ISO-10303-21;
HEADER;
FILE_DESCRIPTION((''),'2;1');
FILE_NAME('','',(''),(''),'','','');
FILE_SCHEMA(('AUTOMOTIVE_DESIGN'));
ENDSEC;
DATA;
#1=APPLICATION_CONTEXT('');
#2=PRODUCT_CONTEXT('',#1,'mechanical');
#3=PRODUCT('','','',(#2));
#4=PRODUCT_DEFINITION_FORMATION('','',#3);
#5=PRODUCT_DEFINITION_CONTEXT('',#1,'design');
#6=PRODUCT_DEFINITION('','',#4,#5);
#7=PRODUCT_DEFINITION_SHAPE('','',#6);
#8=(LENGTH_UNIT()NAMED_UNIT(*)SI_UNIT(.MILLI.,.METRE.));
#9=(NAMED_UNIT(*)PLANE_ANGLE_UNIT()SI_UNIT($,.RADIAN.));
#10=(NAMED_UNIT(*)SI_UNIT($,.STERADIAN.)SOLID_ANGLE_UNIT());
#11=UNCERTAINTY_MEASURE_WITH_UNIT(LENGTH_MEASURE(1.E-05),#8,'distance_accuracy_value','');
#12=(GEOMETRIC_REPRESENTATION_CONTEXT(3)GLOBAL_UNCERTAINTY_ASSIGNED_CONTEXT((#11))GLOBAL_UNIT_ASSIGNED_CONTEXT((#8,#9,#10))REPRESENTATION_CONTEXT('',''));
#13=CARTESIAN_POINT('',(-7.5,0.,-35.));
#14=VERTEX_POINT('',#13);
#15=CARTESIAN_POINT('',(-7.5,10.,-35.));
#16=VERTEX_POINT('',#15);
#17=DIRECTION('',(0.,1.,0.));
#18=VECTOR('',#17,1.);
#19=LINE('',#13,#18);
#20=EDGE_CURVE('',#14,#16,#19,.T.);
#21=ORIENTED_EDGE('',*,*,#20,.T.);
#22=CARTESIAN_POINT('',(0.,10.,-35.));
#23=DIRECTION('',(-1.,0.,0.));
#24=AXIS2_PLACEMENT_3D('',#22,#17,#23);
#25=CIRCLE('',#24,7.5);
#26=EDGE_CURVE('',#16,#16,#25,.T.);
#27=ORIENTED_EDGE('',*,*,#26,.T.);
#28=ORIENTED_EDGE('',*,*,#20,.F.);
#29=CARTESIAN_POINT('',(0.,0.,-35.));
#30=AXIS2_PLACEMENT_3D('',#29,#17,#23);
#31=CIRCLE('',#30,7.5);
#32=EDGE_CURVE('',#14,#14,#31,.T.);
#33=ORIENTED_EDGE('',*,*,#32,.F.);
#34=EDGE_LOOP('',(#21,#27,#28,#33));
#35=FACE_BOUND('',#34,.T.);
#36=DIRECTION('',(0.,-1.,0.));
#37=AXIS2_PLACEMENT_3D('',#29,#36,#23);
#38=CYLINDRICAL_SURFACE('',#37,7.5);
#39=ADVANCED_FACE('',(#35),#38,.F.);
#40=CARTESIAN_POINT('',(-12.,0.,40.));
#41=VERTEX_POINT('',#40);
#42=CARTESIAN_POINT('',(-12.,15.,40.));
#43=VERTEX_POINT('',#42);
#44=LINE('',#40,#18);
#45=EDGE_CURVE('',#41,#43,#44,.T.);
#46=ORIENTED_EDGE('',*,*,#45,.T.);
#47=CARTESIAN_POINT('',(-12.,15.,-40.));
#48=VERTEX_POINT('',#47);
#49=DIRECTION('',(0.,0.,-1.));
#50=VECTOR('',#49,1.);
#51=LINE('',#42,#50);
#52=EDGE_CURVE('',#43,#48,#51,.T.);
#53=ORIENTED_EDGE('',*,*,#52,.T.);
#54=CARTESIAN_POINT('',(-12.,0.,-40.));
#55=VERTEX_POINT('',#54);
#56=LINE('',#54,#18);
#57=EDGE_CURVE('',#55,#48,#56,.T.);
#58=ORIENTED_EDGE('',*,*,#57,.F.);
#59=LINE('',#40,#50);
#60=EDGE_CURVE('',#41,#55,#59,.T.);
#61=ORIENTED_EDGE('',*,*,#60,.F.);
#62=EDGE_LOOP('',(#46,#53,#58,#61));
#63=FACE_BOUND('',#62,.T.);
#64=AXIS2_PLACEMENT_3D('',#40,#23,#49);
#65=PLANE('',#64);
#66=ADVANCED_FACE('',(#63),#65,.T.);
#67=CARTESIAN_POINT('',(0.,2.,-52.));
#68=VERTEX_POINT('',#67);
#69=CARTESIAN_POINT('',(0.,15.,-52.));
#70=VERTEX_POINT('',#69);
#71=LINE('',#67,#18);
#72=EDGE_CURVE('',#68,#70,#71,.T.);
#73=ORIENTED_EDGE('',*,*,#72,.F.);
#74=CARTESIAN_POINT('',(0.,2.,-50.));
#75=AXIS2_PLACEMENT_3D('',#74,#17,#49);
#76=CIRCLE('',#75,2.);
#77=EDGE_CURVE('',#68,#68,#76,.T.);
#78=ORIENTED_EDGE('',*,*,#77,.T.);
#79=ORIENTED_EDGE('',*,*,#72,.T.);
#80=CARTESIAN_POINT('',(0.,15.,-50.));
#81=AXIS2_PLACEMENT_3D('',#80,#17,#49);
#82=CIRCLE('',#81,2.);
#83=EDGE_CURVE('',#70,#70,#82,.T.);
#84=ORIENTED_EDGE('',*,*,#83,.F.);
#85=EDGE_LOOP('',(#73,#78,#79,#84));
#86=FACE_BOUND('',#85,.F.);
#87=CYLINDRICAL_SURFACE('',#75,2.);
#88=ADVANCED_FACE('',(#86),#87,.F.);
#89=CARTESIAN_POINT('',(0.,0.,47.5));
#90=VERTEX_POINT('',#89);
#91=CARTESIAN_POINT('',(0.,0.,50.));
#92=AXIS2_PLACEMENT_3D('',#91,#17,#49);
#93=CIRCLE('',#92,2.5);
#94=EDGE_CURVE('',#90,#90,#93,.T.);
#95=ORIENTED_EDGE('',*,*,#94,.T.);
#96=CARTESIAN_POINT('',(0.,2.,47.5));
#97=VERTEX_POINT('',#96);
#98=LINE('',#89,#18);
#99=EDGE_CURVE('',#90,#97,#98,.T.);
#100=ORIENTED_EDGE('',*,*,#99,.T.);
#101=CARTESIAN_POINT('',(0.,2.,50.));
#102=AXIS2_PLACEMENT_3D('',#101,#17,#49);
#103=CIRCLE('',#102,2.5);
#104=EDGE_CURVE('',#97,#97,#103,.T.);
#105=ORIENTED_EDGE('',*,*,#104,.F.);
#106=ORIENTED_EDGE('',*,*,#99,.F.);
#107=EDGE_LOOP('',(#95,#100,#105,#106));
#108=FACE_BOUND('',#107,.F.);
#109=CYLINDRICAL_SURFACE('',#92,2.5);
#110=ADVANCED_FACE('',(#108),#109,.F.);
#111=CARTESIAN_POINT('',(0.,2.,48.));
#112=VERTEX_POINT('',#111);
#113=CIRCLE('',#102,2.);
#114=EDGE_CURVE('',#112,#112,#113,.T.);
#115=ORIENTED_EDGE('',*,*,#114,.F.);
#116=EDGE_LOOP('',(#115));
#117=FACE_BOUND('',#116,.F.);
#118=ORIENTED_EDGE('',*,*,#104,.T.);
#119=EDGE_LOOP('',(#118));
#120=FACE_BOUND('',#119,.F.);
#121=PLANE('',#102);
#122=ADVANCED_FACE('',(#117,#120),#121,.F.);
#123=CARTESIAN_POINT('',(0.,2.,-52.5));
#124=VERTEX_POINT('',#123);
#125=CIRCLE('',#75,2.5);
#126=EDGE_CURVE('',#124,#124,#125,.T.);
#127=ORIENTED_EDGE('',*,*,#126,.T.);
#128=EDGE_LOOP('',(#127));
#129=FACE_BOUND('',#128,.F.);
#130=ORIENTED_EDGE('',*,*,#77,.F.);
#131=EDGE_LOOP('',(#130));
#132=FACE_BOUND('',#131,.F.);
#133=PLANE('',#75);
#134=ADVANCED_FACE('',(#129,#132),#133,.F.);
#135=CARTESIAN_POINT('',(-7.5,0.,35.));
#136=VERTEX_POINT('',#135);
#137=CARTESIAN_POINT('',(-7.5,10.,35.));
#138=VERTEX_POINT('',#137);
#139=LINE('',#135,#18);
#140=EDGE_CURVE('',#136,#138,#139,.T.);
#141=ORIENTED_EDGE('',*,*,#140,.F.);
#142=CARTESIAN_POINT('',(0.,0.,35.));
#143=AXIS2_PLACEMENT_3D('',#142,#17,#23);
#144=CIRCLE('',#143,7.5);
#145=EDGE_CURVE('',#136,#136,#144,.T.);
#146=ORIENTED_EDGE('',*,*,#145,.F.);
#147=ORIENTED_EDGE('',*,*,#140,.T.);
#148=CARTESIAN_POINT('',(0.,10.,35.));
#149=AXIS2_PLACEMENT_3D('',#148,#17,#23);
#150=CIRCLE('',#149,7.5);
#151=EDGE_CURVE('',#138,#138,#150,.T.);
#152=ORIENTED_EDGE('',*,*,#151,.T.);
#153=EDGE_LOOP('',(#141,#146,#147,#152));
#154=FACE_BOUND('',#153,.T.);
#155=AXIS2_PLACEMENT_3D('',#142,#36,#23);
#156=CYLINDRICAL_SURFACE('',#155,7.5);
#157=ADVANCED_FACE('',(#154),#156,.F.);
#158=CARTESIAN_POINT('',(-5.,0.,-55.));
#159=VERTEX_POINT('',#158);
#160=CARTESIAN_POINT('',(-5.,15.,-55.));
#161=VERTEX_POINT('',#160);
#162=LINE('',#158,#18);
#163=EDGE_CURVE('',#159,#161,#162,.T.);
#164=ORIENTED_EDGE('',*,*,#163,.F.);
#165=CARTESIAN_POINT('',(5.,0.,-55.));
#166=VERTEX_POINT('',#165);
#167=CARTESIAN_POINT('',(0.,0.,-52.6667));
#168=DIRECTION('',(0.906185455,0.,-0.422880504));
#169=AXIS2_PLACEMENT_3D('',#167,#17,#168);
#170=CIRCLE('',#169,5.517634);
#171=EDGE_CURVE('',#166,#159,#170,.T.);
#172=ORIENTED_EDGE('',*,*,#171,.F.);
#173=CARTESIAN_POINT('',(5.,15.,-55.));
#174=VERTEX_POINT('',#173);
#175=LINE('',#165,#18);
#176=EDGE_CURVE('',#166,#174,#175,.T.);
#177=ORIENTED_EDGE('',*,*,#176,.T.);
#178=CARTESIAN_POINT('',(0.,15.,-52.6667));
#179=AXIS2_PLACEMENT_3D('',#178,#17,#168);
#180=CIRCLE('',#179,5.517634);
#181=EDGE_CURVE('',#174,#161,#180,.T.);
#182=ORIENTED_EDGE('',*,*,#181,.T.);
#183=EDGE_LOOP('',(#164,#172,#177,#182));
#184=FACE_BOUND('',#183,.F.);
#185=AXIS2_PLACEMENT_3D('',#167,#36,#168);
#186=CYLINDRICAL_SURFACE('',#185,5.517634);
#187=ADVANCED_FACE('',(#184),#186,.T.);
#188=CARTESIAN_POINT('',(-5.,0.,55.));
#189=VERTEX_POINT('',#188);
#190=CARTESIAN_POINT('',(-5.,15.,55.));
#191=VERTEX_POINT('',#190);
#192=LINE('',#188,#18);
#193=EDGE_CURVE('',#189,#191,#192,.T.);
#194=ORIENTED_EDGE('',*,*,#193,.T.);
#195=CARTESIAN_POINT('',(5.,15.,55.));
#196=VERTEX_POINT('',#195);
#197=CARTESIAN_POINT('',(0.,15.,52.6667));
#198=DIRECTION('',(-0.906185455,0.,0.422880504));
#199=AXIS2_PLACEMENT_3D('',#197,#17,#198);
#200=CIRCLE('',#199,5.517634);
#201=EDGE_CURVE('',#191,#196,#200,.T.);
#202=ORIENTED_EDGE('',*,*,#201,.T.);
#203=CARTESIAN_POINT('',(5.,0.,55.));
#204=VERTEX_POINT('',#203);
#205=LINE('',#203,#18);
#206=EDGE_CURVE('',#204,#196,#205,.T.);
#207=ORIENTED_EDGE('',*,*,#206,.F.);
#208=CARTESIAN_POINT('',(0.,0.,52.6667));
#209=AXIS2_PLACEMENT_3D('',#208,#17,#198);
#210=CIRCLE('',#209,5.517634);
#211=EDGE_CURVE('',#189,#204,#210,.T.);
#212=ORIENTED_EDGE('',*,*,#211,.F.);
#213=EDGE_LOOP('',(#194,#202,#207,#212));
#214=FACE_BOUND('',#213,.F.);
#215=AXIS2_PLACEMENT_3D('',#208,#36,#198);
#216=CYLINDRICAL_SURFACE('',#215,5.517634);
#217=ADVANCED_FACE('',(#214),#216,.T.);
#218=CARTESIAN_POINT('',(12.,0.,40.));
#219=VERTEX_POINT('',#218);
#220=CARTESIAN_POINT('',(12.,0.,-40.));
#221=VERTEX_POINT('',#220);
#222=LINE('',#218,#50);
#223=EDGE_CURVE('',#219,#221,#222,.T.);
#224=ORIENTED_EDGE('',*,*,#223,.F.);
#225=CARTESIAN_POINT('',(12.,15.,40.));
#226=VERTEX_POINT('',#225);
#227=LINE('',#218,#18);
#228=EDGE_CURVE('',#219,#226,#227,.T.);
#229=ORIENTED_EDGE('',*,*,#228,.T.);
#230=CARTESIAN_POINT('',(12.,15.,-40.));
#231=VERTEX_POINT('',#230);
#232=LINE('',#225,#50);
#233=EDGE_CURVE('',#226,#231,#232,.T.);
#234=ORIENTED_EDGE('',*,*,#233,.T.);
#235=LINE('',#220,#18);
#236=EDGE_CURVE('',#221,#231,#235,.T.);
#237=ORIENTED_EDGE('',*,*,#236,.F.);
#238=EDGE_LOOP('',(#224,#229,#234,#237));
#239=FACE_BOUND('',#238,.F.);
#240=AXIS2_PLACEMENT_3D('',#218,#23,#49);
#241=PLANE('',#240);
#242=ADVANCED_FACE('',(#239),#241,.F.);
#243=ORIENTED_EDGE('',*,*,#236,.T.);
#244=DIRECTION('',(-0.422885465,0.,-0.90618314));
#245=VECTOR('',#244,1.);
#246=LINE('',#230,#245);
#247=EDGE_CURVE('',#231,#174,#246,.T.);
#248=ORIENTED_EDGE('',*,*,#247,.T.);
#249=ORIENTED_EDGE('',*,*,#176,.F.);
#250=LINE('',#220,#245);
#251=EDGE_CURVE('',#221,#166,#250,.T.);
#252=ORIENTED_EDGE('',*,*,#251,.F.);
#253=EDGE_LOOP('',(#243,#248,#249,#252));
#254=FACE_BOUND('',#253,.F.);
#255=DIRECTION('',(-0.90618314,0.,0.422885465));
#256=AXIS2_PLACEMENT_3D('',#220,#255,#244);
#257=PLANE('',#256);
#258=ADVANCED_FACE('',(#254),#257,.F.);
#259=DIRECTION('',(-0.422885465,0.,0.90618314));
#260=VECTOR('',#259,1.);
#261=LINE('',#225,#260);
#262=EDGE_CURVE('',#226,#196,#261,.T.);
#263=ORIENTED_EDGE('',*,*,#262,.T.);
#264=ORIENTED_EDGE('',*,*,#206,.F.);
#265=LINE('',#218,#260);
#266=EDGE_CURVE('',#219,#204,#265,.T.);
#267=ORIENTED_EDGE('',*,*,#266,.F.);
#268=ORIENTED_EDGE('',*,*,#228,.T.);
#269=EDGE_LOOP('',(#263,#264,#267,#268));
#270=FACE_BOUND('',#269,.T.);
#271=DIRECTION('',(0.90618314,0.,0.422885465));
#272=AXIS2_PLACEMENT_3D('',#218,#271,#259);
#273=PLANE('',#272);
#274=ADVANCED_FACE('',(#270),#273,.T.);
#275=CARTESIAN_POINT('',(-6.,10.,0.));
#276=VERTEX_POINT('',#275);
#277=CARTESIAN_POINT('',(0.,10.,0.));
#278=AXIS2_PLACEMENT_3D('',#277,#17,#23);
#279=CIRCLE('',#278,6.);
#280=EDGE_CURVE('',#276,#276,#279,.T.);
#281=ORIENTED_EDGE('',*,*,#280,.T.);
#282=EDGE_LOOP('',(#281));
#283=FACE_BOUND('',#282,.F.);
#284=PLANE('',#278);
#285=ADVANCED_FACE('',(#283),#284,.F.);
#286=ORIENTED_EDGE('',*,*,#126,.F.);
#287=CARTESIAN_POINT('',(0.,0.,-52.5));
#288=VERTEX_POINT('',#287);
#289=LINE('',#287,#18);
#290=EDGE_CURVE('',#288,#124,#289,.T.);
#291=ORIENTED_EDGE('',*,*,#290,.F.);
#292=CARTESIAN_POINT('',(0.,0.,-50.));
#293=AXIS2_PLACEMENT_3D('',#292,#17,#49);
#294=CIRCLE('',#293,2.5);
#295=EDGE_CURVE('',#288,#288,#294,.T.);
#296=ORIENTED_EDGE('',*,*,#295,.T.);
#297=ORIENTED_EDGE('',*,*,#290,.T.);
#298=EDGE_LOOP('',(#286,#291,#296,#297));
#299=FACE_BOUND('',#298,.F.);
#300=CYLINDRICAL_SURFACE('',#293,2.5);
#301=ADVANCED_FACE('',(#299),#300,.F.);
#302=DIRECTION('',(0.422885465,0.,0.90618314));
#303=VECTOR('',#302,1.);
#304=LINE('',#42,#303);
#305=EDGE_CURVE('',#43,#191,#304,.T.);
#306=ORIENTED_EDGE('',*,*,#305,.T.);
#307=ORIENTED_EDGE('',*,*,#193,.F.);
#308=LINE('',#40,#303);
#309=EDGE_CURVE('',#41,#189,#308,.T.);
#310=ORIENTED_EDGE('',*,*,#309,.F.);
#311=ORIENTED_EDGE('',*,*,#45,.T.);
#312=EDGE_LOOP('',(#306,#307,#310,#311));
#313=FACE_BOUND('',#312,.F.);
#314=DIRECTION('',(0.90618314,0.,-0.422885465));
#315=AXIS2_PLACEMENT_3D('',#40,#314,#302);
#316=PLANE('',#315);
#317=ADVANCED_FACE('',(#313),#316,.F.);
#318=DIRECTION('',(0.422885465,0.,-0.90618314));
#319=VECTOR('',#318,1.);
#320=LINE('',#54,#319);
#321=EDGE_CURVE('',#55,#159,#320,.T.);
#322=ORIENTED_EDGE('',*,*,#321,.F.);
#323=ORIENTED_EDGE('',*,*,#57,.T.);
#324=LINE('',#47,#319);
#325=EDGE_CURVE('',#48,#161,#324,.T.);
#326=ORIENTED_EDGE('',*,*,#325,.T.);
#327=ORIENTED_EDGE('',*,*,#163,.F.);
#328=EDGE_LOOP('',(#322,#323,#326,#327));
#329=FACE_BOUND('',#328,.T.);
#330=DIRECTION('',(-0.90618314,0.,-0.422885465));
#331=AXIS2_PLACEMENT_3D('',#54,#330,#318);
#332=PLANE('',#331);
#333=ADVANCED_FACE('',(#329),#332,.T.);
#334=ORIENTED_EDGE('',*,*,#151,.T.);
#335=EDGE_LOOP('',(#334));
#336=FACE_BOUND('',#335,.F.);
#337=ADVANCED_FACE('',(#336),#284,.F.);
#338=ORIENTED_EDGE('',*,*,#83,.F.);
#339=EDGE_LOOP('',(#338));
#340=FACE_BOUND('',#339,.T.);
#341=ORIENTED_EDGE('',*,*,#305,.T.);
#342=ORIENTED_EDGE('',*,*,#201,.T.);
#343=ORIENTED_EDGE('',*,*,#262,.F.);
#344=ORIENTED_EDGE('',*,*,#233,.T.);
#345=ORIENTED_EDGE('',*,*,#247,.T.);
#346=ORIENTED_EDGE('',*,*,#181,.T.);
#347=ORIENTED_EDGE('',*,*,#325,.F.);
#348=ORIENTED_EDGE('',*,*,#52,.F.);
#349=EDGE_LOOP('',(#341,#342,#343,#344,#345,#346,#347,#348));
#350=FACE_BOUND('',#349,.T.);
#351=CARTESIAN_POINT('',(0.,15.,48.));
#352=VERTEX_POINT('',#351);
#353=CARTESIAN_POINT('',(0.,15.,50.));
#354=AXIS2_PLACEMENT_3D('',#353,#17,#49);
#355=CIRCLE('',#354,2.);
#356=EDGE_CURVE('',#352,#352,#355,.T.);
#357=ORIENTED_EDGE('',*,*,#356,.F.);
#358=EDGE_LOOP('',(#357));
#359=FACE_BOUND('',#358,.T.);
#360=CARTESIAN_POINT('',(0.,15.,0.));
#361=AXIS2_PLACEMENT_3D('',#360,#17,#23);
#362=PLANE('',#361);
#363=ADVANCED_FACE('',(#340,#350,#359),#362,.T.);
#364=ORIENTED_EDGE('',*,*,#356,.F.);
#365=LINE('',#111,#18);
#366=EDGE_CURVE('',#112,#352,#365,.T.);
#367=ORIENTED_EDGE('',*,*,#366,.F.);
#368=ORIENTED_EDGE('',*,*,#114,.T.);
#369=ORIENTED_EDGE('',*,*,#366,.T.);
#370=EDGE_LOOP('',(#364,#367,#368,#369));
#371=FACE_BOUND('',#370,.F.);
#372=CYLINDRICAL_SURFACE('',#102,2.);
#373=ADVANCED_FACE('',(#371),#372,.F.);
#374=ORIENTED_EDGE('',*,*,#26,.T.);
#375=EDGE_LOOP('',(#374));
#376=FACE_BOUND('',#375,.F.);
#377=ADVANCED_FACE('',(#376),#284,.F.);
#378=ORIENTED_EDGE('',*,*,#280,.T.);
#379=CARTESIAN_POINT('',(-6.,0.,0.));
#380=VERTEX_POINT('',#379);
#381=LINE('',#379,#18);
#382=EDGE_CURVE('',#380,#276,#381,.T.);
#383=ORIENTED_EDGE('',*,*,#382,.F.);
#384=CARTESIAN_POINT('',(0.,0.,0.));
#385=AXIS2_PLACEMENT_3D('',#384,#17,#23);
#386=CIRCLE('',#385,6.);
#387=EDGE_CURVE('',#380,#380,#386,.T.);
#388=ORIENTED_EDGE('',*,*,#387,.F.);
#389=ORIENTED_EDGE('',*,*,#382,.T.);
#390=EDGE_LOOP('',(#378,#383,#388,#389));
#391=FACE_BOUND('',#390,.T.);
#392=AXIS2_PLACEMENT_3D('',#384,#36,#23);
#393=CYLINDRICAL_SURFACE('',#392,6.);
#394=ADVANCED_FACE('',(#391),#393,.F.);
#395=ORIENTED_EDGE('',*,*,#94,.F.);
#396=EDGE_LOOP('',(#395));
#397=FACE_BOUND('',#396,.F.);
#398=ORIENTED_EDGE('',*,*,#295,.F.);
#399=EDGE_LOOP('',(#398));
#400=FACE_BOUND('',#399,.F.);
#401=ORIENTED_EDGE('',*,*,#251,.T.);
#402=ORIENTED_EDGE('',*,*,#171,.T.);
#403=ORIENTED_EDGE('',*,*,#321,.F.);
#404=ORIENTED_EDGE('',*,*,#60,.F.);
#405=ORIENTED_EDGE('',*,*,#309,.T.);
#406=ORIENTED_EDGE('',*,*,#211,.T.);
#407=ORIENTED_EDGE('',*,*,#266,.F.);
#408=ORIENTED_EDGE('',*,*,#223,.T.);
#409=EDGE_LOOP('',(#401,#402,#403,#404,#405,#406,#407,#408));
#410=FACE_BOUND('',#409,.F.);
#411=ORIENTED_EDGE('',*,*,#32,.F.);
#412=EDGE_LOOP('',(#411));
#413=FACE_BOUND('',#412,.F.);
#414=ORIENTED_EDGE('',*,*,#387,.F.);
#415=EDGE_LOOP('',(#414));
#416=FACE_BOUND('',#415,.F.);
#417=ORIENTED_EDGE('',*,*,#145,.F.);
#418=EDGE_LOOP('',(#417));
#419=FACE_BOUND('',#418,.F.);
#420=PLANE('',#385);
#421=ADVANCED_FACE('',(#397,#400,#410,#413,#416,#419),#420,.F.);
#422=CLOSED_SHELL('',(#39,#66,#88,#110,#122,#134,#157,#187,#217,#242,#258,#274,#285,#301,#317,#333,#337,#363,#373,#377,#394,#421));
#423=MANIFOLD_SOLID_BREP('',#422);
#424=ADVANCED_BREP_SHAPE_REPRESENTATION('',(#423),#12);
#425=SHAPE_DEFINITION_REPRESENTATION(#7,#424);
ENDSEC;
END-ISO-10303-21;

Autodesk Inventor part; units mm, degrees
ref_plane "YZ Plane" through (0, 0, 0) normal (1, 0, 0) x (0, 1, 0)
ref_plane "XZ Plane" through (0, 0, 0) normal (0, 1, 0) x (-1, 0, 0)
ref_plane "XY Plane" through (0, 0, 0) normal (0, 0, 1) x (1, 0, 0)
sketch "Sketch1" plane through (0, 0, 0) normal (0, 1, 0) x (-1, 0, 0)
  circle A0 centre (0, 35) radius 7.5
  circle A1 centre (0, -35) radius 7.5
  circle A2 centre (0, 0) radius 6
  dimension "d0" = 15
  dimension "d1" = 35
  dimension "d2" = 15
  dimension "d3" = 35
  dimension "d4" = 12
sketch "Sketch2" plane through (0, 0, 0) normal (0, 1, 0) x (-1, 0, 0)
  line L0 (12, 40) -> (12, -40)
  line L1 (12, -40) -> (5, -55)
  line L2 (12, 40) -> (5, 55)
  line L3 (0, 53.0774) -> (0, -54.9051) construction
  line L4 (-12, 40) -> (-12, -40)
  line L5 (-12, -40) -> (-5, -55)
  line L6 (-12, 40) -> (-5, 55)
  arc A0 (5, 55) -> (-5, 55) centre (0, 52.6667) ccw
  arc A1 (-5, -55) -> (5, -55) centre (0, -52.6667) ccw
  point P0 (0, 0)
  dimension "d5" = 12
  dimension "d6" = 40
  dimension "d7" = 40
  dimension "d8" = 15
  dimension "d9" = 7
  dimension "d10" = 15
  dimension "d11" = 7
extrude "Extrusion1" add sketch "Sketch2" along normal blind 15
extrude "Extrusion2" cut sketch "Sketch1" along normal blind 10
sketch "Sketch3" plane through (0, 0, 0) normal (0, -1, 0) x (1, 0, 0)
  point P0 (0, 0)
  point P1 (0, -50)
  point P2 (0, 50)
  dimension "d16" = 50
  dimension "d17" = 50
hole "Hole1" at (0, 0, -50) at (0, 0, 50) direction (0, 1, 0) diameter 4 end through all counterbore diameter 5 counterbore depth 2
properties part number "Rahmen_Y_Halterung_v1"
